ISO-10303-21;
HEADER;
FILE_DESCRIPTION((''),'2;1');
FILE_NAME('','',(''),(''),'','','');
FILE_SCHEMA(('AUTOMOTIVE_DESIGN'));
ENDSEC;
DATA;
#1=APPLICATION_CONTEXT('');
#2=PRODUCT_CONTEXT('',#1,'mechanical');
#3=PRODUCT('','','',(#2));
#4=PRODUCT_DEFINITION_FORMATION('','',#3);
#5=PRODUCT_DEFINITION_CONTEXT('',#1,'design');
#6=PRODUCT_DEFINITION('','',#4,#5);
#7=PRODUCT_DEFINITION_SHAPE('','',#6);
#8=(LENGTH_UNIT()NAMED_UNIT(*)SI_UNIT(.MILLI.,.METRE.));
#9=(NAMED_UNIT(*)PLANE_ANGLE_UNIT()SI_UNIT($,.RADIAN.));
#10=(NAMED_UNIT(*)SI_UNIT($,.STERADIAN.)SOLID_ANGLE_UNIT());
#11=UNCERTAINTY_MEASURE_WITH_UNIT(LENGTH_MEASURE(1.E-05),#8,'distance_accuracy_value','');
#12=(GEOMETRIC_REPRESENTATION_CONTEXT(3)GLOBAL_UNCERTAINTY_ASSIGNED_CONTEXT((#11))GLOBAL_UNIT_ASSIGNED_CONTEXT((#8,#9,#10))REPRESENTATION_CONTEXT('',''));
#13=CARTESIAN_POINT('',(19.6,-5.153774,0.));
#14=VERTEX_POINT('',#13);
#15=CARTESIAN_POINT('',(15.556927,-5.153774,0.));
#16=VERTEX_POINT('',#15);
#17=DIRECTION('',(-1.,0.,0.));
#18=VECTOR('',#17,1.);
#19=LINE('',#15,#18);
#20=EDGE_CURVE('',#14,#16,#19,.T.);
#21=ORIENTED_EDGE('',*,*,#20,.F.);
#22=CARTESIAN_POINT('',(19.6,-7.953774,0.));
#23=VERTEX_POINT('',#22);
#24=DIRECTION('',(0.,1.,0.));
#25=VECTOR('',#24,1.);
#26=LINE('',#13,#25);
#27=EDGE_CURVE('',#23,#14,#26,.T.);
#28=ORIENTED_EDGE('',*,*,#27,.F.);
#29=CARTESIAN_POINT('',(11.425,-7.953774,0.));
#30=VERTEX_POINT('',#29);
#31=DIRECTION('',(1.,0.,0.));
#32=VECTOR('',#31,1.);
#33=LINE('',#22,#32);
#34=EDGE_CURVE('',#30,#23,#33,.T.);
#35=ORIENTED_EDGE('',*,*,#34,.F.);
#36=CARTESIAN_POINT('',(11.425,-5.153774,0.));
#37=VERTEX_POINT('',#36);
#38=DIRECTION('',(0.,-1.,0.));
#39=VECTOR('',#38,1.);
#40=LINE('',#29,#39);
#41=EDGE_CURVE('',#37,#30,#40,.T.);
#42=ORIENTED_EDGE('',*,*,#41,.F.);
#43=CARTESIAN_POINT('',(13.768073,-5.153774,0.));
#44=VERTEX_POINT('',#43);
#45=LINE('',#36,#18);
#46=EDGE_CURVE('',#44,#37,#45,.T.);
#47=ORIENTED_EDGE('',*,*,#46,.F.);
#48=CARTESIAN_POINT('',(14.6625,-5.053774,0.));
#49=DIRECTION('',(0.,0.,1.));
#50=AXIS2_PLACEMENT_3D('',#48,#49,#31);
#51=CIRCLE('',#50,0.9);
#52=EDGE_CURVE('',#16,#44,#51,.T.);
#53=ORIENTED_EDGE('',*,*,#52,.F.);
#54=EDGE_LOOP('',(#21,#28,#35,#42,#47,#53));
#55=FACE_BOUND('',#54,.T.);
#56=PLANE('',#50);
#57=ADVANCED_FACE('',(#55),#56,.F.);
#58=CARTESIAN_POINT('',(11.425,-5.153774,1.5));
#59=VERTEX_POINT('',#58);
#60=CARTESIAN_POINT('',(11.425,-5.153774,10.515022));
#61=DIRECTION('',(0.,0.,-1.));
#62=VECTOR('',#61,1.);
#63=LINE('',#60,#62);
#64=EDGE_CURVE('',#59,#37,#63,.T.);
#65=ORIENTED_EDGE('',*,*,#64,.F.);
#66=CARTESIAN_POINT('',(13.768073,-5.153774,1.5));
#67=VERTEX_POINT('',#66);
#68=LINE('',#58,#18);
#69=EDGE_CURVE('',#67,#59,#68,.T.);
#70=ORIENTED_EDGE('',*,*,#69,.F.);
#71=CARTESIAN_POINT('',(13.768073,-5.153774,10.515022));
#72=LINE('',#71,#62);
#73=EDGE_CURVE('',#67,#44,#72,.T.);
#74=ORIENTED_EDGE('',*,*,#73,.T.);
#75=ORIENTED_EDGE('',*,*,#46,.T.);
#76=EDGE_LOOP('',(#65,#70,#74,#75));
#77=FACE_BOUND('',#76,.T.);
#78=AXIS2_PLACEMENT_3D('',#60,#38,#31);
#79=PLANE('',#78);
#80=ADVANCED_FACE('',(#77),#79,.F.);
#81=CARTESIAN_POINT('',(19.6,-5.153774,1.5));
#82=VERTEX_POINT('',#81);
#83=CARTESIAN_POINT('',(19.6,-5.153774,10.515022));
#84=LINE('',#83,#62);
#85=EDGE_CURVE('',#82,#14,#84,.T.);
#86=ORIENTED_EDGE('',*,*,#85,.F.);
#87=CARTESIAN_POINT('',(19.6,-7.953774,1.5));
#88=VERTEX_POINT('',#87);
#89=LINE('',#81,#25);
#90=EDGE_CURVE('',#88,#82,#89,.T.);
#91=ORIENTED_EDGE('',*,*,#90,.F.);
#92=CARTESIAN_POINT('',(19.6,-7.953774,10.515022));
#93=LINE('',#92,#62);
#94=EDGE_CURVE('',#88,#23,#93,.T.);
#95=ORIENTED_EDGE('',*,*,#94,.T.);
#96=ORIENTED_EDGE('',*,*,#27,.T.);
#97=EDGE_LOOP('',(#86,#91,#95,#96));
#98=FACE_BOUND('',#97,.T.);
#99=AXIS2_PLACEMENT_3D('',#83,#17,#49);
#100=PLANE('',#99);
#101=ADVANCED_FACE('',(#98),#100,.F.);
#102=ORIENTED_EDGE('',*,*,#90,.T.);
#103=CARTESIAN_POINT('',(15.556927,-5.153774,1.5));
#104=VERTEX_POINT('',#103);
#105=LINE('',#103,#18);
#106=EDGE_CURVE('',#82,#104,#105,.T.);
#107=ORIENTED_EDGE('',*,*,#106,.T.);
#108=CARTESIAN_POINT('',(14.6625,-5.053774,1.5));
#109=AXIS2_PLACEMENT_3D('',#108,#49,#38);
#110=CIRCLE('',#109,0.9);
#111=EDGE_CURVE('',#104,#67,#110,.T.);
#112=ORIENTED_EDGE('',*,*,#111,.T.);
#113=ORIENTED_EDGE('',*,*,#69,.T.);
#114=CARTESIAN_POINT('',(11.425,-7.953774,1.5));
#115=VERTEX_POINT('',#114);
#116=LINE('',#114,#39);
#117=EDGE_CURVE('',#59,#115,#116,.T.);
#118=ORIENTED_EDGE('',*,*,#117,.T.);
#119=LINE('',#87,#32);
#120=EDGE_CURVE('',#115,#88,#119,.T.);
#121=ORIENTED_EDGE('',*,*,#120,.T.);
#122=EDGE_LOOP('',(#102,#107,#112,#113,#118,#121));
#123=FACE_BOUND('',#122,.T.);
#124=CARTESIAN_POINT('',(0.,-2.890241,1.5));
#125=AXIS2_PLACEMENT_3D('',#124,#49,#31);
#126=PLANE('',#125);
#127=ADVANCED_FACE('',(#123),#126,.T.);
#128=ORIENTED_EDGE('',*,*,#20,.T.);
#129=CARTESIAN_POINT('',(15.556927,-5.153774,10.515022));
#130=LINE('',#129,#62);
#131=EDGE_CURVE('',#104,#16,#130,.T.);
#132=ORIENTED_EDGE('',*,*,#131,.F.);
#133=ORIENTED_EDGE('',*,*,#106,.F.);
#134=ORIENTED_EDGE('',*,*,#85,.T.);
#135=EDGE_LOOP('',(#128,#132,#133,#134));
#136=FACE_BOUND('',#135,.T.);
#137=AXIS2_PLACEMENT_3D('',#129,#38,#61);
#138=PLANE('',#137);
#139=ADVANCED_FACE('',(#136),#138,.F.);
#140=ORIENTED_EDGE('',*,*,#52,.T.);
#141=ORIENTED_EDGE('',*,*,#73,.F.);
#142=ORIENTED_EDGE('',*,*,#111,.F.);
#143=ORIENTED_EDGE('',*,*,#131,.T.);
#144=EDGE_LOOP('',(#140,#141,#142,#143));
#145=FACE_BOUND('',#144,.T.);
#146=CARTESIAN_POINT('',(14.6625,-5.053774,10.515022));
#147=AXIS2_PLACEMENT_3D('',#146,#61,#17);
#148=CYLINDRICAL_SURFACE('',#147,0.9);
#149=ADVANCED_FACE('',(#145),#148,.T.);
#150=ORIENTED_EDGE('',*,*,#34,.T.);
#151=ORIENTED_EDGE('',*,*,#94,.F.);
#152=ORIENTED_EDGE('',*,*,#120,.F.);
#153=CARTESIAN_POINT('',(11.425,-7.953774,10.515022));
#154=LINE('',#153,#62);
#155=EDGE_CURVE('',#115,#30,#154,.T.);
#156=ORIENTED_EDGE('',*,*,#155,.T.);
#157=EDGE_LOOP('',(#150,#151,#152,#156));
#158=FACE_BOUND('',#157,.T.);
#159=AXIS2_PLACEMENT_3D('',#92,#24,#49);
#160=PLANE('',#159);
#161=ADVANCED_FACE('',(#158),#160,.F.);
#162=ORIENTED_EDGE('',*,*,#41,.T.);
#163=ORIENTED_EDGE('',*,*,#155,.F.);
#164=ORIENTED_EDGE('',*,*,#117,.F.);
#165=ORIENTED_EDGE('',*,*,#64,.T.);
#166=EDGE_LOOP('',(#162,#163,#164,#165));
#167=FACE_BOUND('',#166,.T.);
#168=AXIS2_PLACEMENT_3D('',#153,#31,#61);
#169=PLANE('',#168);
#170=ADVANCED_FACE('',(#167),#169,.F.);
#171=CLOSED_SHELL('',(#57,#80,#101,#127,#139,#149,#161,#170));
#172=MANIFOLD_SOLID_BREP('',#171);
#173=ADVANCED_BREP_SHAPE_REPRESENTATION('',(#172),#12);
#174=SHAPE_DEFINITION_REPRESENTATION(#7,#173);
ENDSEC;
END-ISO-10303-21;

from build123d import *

# Parameters (mm, degrees)
BOSS_EXTRUDE1_DEPTH = 1.5


with BuildPart() as part:
    # Sketch1 → Boss-Extrude1 (new body)
    with BuildSketch(Plane.XY):
        with BuildLine():
            Line((11.425, -5.153774243), (13.768072809, -5.153774243))
            ThreePointArc((13.768072809, -5.153774243), (14.6625, -4.153774243), (15.556927191, -5.153774243))
            Line((15.556927191, -5.153774243), (19.6, -5.153774243))
            Line((19.6, -5.153774243), (19.6, -7.953774243))
            Line((19.6, -7.953774243), (11.425, -7.953774243))
            Line((11.425, -7.953774243), (11.425, -5.153774243))
        make_face()
    extrude(amount=BOSS_EXTRUDE1_DEPTH)


solid = part.part
